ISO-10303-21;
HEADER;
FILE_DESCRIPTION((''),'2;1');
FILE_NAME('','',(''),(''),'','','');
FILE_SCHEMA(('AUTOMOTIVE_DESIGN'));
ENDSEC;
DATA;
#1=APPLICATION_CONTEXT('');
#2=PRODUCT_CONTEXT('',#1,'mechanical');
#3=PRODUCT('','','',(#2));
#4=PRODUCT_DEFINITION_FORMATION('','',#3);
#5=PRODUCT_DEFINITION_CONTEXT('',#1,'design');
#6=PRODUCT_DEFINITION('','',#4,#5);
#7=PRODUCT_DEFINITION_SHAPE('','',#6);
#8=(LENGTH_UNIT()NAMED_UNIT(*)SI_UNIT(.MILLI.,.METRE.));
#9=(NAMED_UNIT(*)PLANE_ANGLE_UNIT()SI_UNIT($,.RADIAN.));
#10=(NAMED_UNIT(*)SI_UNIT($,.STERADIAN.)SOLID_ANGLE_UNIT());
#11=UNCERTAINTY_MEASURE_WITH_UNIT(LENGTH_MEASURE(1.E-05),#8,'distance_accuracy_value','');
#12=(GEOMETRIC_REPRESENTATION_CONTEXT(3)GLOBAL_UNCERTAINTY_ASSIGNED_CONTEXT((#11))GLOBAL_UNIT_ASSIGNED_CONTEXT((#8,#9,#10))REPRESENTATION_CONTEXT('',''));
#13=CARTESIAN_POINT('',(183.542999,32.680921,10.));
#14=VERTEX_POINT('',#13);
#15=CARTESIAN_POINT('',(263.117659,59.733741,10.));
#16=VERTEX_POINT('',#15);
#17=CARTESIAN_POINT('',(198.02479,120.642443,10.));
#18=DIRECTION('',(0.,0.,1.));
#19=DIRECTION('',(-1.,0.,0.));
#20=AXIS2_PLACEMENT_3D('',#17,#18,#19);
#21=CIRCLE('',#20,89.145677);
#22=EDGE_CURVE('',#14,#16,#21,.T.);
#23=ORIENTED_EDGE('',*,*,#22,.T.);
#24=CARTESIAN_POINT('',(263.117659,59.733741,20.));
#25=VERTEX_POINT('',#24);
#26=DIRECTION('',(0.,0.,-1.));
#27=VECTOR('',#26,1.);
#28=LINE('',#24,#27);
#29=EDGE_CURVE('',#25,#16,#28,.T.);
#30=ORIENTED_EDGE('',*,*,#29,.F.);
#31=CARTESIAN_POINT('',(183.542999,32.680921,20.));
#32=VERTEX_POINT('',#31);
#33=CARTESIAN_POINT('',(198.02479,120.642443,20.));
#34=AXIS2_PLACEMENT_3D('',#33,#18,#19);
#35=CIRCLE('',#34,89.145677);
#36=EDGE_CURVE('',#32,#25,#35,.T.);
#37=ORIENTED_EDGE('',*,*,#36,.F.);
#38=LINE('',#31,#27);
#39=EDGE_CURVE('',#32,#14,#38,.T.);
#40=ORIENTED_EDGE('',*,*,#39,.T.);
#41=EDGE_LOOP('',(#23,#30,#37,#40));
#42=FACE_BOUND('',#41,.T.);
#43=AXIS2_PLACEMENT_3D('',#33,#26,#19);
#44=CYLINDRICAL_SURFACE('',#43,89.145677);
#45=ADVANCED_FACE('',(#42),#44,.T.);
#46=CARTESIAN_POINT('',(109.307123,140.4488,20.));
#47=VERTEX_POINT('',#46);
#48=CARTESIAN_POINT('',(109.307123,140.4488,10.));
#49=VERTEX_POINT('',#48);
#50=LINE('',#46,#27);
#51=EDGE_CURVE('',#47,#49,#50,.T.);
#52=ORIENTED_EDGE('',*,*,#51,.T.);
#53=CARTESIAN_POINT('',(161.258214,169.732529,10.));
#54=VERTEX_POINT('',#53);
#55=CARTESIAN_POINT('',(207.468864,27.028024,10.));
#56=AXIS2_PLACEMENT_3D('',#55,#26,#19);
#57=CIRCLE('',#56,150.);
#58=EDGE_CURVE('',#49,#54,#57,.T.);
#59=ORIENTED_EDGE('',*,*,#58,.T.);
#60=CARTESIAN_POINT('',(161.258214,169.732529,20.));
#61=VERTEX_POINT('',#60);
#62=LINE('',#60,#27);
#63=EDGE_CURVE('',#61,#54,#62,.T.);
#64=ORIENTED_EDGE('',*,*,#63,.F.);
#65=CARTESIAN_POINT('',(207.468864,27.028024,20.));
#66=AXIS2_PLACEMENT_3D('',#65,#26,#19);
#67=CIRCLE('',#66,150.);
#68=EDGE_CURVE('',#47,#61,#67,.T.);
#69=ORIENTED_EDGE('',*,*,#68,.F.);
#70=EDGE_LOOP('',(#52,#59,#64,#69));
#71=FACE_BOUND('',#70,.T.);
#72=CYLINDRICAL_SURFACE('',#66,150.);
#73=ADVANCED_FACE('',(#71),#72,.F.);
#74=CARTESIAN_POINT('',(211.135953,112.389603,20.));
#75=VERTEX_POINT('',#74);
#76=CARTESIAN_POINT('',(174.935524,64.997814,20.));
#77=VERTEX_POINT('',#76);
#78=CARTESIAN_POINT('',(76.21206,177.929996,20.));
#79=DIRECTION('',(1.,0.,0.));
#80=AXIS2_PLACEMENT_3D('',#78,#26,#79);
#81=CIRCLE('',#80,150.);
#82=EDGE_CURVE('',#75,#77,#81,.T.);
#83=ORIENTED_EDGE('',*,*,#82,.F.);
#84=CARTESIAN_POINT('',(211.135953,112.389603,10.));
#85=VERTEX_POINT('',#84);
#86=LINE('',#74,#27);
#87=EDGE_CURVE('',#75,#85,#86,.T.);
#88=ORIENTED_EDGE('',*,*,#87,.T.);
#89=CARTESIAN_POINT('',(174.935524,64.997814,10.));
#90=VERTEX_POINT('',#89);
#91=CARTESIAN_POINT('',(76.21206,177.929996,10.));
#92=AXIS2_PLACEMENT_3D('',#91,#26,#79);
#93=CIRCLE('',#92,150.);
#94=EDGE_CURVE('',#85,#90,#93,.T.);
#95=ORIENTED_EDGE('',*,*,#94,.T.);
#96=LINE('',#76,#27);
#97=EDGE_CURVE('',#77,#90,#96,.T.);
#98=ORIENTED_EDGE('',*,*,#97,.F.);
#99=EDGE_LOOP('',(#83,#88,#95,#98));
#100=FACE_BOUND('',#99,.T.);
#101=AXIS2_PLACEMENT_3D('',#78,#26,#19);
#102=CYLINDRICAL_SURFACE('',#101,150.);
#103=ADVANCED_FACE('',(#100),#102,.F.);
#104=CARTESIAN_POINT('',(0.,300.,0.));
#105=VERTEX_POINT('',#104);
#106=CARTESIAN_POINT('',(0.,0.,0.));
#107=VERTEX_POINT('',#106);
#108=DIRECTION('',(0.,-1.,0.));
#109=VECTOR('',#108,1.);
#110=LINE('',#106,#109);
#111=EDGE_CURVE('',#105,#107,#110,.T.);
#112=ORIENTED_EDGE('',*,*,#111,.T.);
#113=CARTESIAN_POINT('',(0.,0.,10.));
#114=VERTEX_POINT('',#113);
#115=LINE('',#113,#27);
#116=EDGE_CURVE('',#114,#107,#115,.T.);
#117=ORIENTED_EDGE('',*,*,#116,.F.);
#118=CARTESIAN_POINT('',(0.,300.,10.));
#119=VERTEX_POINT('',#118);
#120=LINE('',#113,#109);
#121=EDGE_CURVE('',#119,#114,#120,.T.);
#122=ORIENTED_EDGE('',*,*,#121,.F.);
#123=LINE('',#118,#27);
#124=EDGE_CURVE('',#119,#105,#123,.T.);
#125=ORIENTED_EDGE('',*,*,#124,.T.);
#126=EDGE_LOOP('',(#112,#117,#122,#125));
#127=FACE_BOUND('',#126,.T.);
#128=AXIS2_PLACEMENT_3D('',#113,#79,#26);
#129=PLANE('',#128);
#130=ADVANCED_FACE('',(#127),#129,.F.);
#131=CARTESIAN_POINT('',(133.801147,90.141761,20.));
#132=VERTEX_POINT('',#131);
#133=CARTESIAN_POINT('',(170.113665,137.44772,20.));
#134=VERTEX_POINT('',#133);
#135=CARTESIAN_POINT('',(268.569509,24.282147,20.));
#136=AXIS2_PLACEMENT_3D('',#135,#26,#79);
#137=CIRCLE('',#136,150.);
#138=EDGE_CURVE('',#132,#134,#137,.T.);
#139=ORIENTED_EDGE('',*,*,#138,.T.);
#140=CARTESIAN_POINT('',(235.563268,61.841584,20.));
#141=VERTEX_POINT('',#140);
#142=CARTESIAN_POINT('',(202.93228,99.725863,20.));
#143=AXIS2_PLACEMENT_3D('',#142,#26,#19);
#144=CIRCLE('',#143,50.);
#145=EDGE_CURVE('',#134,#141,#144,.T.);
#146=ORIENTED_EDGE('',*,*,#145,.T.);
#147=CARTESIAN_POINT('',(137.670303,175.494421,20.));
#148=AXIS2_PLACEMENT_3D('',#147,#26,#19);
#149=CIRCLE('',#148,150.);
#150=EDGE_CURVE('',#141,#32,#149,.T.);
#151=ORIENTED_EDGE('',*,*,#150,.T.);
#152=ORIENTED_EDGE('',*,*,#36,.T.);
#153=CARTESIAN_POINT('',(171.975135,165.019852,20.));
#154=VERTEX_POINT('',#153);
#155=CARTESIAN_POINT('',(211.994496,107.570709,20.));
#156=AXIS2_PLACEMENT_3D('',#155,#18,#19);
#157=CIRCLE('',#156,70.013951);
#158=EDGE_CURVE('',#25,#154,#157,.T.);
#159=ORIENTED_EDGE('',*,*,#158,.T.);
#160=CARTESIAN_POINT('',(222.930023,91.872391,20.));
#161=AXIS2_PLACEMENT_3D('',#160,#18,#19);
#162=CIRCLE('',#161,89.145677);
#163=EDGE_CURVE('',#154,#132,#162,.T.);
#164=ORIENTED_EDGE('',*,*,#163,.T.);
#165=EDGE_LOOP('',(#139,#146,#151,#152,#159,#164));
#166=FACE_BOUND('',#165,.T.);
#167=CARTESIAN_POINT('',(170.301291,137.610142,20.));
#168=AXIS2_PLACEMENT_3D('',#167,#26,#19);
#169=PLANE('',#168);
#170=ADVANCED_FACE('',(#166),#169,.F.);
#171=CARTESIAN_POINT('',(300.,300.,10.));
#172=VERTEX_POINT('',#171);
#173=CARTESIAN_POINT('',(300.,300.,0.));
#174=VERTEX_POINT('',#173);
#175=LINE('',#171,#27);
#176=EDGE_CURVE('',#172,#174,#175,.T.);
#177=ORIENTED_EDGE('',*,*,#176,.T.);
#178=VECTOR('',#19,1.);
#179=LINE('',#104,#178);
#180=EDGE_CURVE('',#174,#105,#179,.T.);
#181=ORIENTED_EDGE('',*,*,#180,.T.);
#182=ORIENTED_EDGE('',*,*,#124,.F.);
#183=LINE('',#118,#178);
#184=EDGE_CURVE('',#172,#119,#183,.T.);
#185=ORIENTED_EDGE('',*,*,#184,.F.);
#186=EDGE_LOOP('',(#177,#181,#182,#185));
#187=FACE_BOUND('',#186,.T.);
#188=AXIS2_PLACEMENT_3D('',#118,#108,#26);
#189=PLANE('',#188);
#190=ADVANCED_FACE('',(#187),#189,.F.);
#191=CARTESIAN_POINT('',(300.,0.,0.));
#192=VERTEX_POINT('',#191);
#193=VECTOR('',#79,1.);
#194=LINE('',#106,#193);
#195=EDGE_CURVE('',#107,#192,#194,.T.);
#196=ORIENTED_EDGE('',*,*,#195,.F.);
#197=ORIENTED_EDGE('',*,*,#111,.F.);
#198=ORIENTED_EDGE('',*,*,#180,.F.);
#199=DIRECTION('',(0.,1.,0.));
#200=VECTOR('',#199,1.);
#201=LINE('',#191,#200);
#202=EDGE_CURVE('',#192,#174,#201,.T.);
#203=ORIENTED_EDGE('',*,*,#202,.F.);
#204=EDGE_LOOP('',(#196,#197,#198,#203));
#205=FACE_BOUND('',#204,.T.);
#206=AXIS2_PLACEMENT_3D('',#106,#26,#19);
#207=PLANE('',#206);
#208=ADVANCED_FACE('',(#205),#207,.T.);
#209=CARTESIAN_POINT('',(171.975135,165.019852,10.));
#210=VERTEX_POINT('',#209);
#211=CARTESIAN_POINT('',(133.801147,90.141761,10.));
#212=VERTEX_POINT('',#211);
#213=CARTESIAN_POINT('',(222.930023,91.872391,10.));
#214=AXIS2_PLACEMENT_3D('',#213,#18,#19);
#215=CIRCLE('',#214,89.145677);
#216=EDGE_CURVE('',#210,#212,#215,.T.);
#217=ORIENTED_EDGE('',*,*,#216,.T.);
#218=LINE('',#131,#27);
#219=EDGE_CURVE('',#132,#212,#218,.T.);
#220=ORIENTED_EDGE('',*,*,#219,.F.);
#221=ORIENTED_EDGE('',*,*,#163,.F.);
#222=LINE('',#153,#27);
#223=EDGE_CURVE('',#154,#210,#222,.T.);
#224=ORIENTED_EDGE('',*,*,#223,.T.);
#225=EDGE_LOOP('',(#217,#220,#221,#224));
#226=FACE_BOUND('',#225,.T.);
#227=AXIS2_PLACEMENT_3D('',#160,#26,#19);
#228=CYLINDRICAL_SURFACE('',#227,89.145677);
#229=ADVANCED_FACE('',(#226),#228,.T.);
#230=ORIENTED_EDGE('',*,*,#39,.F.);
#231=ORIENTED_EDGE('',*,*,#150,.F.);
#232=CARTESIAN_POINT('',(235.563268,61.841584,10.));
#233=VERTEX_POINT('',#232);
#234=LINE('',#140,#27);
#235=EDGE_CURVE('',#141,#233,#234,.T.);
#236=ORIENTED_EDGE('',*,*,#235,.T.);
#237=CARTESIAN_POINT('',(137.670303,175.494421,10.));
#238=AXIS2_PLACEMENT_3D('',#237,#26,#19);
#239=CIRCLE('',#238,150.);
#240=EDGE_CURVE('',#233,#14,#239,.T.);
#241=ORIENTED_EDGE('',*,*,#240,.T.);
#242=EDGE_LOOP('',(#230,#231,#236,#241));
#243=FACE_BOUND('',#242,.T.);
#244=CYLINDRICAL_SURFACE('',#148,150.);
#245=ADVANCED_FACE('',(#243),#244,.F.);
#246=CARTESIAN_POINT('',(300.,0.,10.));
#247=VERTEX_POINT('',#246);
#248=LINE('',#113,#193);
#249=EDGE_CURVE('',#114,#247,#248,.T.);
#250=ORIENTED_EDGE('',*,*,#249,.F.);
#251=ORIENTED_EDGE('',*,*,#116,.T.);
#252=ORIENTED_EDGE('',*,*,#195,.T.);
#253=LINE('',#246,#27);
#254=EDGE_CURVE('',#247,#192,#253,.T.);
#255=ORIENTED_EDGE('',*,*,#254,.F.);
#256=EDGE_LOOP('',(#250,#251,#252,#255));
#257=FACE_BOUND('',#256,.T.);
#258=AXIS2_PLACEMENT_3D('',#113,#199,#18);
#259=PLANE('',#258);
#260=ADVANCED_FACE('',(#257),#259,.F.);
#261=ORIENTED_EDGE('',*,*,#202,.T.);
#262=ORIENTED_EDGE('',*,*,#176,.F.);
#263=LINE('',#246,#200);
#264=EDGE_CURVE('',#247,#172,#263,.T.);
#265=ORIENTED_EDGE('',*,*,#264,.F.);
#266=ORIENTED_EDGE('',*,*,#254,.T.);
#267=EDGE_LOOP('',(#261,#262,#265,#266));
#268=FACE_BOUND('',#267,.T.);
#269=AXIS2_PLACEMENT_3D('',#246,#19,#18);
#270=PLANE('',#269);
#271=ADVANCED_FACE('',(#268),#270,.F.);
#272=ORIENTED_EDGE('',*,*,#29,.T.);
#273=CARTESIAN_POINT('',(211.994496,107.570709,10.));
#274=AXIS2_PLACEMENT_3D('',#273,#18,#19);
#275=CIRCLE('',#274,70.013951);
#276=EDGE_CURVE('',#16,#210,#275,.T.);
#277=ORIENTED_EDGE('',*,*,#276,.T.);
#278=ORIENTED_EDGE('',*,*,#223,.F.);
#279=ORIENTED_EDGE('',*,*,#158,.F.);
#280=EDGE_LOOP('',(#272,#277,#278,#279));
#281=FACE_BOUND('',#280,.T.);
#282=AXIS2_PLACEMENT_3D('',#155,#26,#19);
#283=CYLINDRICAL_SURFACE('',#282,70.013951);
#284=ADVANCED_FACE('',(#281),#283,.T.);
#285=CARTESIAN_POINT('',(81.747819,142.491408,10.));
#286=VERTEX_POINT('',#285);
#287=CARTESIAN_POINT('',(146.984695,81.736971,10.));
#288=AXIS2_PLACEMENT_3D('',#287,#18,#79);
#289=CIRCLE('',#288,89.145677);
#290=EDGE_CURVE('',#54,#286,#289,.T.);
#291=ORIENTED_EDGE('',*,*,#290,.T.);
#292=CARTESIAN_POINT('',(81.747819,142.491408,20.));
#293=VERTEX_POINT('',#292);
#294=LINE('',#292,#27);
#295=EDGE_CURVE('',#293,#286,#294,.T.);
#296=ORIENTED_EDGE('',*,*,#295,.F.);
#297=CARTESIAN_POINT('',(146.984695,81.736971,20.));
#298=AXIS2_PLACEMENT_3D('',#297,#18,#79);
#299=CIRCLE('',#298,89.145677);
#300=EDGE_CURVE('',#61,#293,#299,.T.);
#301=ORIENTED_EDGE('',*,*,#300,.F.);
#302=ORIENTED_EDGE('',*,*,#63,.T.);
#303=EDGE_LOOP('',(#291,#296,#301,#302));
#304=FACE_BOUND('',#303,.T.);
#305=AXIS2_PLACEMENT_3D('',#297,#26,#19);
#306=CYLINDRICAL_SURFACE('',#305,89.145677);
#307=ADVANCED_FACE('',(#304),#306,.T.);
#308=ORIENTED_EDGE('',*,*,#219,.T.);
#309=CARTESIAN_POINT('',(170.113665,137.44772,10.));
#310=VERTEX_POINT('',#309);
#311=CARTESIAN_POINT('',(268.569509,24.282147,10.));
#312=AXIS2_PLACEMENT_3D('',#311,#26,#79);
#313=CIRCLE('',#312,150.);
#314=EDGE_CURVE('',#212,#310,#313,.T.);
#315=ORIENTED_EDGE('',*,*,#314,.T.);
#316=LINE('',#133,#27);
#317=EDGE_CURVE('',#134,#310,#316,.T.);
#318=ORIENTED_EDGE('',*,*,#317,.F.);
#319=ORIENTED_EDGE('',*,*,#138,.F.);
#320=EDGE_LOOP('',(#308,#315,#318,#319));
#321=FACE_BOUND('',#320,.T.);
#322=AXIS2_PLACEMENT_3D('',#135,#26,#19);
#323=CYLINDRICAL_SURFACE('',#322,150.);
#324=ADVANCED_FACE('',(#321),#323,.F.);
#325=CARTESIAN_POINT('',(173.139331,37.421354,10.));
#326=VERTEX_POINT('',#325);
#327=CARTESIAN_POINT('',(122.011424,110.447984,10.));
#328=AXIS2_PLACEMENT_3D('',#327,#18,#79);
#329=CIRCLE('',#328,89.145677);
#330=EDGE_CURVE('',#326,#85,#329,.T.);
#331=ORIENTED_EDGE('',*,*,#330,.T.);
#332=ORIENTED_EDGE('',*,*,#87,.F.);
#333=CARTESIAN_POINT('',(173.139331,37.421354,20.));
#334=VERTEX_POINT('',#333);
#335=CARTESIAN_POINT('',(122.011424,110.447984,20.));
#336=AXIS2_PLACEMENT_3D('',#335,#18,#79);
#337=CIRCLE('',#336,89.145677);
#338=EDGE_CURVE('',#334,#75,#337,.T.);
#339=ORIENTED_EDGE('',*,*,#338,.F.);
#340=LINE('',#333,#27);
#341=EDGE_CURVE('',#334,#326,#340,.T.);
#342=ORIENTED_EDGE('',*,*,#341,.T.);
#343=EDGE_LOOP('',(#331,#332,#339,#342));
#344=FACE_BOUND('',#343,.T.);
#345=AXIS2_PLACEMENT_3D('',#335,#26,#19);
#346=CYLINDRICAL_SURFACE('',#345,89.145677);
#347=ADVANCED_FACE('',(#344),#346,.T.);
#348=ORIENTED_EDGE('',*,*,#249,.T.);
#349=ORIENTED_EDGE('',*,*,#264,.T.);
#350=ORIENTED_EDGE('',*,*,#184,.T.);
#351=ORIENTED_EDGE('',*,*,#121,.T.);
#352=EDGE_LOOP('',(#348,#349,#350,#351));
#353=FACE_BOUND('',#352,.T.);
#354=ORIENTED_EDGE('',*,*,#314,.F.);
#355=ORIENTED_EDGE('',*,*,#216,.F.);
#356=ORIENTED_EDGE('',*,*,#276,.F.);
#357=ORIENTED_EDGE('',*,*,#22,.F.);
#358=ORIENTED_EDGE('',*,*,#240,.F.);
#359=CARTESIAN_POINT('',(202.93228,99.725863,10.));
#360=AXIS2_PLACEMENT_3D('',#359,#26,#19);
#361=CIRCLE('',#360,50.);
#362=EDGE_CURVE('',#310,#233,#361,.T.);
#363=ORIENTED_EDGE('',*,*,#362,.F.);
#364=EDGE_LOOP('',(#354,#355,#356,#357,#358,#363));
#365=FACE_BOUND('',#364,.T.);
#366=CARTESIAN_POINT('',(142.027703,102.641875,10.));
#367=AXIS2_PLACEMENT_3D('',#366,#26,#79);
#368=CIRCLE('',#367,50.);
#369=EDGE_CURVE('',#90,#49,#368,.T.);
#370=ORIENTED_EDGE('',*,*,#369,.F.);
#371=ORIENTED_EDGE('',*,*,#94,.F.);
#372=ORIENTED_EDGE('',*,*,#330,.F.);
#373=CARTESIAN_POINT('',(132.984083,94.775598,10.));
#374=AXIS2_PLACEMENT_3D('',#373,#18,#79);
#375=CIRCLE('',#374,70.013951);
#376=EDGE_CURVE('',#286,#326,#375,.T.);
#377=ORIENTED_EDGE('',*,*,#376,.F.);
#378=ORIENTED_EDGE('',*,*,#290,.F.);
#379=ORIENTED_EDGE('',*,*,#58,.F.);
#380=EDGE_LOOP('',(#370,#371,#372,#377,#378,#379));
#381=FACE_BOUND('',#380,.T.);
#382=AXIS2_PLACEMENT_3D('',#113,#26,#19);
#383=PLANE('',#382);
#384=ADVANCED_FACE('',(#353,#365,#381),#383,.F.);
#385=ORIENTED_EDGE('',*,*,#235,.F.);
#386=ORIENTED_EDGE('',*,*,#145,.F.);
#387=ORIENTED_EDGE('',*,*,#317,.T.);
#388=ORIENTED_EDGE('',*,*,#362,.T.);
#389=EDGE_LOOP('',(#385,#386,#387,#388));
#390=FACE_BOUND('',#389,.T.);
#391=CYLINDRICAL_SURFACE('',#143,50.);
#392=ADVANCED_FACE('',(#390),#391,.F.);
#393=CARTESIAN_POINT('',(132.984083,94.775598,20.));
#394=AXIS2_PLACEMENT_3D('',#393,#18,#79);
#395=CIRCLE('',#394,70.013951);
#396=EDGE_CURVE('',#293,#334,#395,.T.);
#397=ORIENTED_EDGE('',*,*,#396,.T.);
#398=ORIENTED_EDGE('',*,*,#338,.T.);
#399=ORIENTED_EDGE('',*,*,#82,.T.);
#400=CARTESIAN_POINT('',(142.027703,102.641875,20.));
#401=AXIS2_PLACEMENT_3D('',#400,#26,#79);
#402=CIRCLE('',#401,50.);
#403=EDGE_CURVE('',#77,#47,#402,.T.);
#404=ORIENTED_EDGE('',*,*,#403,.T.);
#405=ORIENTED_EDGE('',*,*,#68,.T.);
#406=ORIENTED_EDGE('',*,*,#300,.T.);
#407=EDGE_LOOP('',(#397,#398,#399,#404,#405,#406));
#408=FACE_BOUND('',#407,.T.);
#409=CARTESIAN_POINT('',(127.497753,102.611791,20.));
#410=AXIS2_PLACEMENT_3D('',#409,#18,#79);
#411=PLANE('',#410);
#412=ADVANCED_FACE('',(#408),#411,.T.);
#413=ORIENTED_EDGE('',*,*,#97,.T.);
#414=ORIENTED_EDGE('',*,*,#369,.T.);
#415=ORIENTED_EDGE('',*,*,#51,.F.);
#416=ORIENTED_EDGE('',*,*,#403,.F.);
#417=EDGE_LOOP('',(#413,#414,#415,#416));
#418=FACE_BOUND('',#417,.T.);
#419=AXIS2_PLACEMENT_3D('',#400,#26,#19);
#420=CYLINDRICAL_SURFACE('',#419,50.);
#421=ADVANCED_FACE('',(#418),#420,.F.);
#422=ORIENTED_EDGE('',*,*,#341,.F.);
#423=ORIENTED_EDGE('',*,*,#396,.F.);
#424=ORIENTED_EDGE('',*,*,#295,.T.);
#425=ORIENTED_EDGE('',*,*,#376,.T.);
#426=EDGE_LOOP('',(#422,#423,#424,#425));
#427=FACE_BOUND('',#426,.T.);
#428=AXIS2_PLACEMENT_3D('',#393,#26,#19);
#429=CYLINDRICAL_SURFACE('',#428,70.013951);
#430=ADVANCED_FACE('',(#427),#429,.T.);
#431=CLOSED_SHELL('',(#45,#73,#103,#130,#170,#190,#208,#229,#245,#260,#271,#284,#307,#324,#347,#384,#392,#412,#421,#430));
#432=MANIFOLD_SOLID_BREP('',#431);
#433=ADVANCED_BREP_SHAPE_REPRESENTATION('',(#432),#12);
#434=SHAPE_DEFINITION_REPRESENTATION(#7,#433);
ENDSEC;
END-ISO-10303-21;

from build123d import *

# Parameters (mm, degrees)
SKICA1_W                = 300
SKICA1_H                = 300
P_IDAT_VYSUNUT_M1_DEPTH = 10
P_IDAT_VYSUNUT_M3_DEPTH = 10


with BuildPart() as part:
    # Skica1 → Přidat vysunutím1 (new body)
    with BuildSketch(Plane.XY):
        with Locations((150, 150)):
            Rectangle(SKICA1_W, SKICA1_H)
    extrude(amount=P_IDAT_VYSUNUT_M1_DEPTH)

    # Skica3 → Přidat vysunutím3 (add)
    with BuildSketch(Plane.XY.offset(10)):
        with BuildLine():
            ThreePointArc((161.258214426, 169.732529164), (118.091173044, 166.070333412), (81.747818606, 142.491407915))
            ThreePointArc((81.747818606, 142.491407915), (80.157704047, 48.826419384), (173.139331363, 37.421353736))
            ThreePointArc((173.139331363, 37.421353736), (201.527121298, 70.146550787), (211.135953458, 112.38960328))
            ThreePointArc((211.135953458, 112.38960328), (195.41469161, 86.876535147), (174.935524438, 64.997814169))
            ThreePointArc((174.935524438, 64.997814169), (104.302093893, 69.827572661), (109.307122532, 140.448800107))
            ThreePointArc((109.307122532, 140.448800107), (133.812696433, 157.698483219), (161.258214426, 169.732529164))
        make_face()
        with BuildLine():
            ThreePointArc((263.117659489, 59.733740684), (226.718588511, 36.240916857), (183.542998572, 32.680920678))
            ThreePointArc((183.542998572, 32.680920678), (211.01692785, 44.649961145), (235.56326825, 61.841583891))
            ThreePointArc((235.56326825, 61.841583891), (240.735464455, 132.450765052), (170.113665313, 137.447720489))
            ThreePointArc((170.113665313, 137.447720489), (149.582762041, 115.617541137), (133.801147174, 90.141761426))
            ThreePointArc((133.801147174, 90.141761426), (143.509954364, 132.361948569), (171.975135093, 165.019851524))
            ThreePointArc((171.975135093, 165.019851524), (264.929502664, 153.394702482), (263.117659489, 59.733740684))
        make_face()
    extrude(amount=P_IDAT_VYSUNUT_M3_DEPTH)


solid = part.part
